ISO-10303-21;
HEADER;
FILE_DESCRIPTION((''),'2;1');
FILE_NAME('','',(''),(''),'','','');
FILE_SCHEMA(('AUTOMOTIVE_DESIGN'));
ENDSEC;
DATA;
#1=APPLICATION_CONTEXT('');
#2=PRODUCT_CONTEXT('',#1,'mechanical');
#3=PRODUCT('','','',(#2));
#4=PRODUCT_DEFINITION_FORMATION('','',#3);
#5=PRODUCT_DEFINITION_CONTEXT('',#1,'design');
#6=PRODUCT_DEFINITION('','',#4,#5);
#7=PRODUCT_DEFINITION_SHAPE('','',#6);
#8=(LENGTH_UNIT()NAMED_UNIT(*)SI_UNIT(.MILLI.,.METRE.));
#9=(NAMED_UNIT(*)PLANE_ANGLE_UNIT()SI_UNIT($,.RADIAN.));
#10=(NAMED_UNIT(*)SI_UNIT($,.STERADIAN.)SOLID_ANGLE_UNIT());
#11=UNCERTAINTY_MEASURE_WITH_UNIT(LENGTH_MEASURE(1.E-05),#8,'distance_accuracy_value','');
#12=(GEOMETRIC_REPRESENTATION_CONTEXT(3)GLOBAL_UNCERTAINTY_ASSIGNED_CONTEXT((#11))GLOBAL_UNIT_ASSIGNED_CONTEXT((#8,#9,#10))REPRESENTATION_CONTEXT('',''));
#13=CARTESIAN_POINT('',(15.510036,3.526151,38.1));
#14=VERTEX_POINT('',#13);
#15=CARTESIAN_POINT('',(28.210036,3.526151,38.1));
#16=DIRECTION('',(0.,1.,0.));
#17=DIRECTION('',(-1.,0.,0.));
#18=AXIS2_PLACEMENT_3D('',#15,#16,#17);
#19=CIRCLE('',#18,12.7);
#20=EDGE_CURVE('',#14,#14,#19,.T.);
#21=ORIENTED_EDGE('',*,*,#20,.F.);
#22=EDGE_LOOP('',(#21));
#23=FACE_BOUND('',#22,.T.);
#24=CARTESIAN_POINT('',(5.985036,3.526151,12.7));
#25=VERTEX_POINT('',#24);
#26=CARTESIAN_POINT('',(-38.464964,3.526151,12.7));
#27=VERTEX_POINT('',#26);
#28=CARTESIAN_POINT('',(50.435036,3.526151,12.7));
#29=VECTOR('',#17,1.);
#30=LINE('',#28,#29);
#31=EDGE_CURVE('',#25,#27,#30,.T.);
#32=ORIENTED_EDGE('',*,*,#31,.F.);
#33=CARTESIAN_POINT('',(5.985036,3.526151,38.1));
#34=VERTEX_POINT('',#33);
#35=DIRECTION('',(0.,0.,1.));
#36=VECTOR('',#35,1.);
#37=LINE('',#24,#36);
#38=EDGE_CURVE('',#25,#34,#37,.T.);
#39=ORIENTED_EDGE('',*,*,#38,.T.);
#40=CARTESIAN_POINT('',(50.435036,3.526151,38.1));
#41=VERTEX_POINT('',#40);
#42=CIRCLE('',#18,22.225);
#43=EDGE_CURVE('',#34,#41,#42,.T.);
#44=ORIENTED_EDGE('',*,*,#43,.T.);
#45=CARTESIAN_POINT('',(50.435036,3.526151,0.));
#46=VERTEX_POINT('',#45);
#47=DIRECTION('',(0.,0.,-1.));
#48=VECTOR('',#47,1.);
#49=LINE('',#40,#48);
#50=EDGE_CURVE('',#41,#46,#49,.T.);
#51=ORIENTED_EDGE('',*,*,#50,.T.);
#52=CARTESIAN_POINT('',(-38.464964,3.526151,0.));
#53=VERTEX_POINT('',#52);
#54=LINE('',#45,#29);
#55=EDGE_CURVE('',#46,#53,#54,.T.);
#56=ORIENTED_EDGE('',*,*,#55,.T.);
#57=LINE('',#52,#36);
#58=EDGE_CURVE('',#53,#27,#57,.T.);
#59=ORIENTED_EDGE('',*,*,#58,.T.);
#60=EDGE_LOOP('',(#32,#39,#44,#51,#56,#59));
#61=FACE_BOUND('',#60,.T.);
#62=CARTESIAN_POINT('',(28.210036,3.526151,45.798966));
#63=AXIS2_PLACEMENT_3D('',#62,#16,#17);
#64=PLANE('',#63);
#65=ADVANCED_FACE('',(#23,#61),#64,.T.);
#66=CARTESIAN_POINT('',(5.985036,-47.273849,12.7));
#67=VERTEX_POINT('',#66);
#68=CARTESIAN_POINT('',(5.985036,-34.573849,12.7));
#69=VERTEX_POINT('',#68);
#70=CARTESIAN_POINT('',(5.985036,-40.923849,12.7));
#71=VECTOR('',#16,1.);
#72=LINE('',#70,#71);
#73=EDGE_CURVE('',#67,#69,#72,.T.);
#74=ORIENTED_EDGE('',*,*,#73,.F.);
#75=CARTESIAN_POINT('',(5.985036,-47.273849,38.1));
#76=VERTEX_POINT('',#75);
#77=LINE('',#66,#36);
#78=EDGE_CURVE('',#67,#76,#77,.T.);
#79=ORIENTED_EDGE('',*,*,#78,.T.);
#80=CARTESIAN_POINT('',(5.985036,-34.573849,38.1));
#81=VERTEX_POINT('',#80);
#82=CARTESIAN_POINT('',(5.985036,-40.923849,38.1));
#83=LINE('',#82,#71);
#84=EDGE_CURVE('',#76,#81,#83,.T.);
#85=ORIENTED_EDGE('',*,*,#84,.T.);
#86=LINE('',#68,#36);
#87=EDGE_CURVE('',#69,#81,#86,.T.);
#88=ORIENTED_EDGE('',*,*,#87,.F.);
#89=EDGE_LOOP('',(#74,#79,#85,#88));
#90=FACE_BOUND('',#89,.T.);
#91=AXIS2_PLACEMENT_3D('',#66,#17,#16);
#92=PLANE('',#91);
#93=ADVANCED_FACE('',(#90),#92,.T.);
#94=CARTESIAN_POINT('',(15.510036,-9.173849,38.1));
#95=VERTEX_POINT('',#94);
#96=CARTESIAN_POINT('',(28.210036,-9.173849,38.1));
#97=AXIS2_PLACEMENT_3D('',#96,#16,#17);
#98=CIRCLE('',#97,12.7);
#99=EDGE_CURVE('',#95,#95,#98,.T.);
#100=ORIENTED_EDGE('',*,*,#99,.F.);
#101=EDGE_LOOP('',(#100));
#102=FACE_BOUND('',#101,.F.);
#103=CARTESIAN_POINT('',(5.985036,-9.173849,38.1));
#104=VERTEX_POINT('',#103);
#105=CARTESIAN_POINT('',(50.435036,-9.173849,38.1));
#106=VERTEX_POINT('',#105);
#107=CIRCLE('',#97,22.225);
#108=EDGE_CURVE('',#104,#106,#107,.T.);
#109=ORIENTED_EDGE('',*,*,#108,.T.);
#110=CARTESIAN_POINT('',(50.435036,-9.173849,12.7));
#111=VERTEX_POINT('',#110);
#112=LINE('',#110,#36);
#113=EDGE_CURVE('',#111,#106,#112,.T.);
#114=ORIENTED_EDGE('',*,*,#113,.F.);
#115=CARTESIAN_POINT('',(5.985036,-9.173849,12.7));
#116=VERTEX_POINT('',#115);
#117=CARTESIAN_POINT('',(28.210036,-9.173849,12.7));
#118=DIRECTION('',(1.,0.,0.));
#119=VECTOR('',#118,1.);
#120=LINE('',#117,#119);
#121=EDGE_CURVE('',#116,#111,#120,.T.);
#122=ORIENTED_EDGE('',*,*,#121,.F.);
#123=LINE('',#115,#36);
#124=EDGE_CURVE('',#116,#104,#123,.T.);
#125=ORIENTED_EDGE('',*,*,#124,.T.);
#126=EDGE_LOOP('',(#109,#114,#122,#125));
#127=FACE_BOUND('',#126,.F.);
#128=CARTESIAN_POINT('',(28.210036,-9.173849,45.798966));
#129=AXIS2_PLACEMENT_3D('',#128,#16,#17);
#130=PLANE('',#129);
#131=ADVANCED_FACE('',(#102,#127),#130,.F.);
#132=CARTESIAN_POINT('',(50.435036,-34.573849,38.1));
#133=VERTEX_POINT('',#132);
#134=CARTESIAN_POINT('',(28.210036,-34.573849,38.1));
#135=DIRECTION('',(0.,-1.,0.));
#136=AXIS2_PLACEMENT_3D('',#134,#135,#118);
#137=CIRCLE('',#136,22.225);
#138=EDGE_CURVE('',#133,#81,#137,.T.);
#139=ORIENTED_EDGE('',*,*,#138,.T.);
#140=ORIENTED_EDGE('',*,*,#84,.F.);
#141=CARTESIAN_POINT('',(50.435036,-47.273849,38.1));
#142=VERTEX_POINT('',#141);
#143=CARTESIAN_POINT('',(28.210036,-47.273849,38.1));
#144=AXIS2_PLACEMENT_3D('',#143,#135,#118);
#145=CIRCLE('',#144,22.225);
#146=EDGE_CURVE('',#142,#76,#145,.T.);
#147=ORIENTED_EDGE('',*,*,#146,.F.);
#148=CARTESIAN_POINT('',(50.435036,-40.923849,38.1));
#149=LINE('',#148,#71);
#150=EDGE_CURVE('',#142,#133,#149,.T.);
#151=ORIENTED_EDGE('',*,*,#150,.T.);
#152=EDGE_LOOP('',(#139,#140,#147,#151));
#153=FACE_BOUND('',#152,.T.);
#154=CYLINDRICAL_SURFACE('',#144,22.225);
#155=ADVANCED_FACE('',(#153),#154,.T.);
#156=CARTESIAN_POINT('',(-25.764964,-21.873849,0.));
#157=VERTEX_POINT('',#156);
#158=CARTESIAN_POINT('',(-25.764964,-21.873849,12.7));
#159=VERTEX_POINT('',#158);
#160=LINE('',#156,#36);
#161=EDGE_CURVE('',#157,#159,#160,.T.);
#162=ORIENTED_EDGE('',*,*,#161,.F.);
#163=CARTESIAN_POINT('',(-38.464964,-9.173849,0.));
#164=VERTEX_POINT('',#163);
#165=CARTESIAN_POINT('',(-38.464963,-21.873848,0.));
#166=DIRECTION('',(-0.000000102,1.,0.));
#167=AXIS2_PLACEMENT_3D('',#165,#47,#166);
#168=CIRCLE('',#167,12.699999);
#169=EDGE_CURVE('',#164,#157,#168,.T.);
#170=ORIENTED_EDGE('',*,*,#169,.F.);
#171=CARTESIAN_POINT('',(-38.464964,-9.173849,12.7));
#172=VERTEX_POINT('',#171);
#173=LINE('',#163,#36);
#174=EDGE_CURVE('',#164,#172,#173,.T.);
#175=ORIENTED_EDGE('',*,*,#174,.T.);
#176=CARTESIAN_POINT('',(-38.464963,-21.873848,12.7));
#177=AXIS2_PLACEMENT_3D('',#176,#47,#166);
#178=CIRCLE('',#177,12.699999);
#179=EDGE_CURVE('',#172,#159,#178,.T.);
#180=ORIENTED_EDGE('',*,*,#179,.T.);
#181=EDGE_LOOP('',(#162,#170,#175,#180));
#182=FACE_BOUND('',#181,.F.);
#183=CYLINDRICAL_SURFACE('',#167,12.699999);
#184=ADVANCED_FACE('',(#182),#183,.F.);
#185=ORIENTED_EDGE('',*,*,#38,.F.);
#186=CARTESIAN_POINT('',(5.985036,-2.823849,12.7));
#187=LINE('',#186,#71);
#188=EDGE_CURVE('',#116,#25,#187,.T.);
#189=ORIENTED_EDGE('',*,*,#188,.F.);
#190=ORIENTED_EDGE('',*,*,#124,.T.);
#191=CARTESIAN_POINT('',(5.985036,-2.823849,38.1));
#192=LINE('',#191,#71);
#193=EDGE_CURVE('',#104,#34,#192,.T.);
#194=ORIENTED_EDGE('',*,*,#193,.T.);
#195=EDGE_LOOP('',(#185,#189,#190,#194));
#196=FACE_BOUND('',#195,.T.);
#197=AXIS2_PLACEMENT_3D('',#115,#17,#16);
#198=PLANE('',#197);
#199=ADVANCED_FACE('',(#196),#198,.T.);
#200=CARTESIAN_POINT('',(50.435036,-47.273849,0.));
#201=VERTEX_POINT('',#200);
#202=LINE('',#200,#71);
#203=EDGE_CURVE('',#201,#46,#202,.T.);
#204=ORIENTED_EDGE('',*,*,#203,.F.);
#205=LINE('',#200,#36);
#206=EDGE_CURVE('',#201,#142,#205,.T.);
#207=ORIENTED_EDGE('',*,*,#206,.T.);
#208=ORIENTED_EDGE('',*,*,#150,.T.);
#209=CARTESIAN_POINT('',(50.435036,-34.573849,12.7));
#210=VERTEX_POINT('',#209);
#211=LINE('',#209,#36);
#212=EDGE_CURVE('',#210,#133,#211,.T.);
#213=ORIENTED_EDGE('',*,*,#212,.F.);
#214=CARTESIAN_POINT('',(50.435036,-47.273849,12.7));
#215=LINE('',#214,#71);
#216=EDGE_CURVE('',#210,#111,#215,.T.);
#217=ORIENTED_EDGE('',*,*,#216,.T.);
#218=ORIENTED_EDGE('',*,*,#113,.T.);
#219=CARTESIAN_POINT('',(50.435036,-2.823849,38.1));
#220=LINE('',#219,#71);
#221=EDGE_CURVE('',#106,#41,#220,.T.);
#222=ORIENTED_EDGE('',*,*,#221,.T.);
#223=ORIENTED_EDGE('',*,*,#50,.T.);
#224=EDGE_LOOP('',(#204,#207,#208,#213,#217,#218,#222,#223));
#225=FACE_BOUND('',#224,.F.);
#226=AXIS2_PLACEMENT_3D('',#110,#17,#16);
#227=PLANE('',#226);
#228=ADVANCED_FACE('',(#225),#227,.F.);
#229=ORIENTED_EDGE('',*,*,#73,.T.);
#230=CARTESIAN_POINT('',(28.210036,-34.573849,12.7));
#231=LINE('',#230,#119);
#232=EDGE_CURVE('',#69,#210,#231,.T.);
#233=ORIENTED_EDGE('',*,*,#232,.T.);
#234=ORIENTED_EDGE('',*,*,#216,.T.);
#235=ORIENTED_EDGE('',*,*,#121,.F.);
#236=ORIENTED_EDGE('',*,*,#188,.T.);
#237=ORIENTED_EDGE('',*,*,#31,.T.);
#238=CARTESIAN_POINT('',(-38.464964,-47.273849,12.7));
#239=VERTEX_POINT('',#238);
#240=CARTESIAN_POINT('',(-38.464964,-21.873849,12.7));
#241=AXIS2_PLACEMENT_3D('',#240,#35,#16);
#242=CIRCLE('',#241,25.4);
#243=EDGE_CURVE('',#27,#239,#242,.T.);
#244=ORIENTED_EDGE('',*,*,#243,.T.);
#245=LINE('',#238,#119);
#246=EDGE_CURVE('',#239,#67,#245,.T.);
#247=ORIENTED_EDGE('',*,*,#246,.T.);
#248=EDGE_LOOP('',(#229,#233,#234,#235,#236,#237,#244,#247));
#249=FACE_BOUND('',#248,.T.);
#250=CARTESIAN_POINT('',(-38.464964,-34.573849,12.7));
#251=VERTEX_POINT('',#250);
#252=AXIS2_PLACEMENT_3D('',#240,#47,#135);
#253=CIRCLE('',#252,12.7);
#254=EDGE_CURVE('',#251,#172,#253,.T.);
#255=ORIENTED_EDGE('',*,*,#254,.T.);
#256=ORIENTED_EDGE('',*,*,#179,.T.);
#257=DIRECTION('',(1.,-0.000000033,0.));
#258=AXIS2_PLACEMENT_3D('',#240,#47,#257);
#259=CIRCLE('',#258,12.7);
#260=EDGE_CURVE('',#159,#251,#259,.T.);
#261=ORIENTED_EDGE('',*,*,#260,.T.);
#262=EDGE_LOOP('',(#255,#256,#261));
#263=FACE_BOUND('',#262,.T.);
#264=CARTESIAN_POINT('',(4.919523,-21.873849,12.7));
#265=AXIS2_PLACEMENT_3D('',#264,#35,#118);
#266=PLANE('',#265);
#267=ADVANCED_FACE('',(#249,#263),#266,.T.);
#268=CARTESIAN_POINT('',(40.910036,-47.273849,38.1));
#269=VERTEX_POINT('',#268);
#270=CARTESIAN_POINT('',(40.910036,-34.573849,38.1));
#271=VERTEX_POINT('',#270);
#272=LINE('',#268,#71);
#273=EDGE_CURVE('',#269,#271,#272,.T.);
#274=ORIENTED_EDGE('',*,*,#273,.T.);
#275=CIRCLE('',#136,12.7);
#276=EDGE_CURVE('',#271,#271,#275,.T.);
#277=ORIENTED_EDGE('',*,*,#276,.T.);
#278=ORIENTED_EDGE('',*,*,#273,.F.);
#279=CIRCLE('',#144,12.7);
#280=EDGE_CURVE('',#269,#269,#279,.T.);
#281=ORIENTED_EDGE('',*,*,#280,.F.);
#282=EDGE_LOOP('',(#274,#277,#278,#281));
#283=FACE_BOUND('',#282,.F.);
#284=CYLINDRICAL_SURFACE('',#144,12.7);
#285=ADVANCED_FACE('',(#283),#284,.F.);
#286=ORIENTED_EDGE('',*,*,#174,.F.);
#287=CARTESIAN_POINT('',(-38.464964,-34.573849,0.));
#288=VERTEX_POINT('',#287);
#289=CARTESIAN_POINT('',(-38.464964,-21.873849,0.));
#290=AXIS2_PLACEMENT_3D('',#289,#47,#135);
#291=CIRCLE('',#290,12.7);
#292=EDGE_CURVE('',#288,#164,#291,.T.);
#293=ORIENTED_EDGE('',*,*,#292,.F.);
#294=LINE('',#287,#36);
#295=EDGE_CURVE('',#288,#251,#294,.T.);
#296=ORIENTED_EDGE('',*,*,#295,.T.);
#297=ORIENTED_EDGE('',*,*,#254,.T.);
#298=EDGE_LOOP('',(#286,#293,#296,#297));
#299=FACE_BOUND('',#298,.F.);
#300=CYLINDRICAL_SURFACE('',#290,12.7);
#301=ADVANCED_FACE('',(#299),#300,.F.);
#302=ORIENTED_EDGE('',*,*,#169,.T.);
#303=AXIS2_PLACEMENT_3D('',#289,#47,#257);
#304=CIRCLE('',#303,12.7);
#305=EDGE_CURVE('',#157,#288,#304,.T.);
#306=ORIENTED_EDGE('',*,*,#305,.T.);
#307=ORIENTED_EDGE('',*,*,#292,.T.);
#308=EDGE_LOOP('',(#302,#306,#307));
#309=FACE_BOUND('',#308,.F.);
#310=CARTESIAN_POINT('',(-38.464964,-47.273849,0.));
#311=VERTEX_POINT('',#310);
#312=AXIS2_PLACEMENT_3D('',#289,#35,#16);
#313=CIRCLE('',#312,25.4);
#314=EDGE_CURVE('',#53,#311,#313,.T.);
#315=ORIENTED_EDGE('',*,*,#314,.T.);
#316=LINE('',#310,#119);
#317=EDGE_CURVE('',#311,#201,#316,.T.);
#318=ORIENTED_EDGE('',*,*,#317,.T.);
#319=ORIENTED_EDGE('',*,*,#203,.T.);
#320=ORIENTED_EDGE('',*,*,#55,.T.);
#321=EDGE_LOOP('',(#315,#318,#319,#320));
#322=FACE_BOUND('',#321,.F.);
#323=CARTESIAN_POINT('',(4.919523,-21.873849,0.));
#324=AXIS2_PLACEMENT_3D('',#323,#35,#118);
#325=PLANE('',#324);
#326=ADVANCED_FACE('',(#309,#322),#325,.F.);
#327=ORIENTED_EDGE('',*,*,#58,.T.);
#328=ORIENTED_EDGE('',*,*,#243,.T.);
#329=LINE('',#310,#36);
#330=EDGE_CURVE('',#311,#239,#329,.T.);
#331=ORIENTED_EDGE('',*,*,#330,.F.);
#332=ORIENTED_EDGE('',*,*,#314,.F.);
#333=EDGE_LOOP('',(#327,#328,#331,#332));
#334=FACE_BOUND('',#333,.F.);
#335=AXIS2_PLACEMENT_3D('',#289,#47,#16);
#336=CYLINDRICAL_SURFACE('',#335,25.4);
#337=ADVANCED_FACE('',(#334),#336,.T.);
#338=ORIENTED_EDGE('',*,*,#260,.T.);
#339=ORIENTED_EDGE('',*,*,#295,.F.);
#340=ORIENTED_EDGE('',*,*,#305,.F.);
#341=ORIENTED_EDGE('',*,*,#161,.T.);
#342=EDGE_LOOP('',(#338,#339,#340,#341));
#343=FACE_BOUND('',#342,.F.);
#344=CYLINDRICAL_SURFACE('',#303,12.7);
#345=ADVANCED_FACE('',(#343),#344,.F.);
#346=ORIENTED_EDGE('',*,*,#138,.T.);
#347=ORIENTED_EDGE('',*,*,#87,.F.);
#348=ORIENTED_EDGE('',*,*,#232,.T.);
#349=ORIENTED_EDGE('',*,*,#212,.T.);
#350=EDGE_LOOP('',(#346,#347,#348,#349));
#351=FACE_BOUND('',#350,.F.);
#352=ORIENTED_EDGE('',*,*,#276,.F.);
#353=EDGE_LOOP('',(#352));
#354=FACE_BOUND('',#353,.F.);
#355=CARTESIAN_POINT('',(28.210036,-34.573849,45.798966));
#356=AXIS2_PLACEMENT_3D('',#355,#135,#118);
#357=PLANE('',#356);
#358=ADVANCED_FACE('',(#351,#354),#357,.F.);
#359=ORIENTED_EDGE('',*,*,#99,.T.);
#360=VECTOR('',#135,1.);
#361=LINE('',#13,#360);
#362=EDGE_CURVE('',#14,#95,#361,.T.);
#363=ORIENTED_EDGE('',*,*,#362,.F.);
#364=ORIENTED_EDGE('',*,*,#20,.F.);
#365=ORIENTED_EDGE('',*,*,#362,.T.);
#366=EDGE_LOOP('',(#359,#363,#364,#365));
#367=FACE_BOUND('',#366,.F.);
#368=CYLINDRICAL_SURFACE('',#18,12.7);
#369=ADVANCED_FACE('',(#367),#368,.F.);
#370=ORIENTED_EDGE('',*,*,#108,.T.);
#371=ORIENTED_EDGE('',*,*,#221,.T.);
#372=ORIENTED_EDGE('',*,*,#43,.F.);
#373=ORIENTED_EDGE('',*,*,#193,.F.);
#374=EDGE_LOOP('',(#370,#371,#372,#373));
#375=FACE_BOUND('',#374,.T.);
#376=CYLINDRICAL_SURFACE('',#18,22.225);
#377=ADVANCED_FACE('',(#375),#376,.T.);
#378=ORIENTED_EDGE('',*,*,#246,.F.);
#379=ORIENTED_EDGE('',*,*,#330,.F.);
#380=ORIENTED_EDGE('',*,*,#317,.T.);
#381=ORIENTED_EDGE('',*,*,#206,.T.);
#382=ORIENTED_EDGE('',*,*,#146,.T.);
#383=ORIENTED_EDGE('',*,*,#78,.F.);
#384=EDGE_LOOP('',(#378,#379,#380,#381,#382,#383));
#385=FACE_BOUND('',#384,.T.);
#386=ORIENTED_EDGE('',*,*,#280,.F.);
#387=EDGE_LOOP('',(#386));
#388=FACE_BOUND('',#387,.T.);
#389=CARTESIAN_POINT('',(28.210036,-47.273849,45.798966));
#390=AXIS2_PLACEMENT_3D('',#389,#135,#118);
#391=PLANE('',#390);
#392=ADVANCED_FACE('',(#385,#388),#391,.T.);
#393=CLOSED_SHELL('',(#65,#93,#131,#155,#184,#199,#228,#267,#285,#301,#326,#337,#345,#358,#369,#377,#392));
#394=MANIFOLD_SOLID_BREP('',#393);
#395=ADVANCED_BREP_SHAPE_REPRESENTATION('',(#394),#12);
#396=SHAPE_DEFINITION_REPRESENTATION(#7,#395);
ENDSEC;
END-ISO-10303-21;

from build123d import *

# Parameters (mm, degrees)
F1_DEPTH  = 12.7
F2_DEPTH  = 12.7
F3_W      = 44.45
F3_H      = 12.7
F4_DEPTH  = 25.4
F6_DEPTH  = 12.7
F7_R      = 12.7
F8_DEPTH  = 25.4
F9_DEPTH  = 25.4
F11_DEPTH = 12.7
F12_R     = 12.7
F13_DEPTH = 25.4


with BuildPart() as f1:
    # F0 (on Top) → F1 (new body)
    with BuildSketch(Plane.XY):
        with BuildLine():
            ThreePointArc((-38.464964, 3.526151), (-63.864964, -21.873849), (-38.464964, -47.273849))
            Line((-38.464964, -47.273849), (-38.464964, -34.573849))
            ThreePointArc((-38.464964, -34.573849), (-51.164964, -21.873849), (-38.464964, -9.173849))
            Line((-38.464964, -9.173849), (-38.464964, 3.526151))
        make_face()
    extrude(amount=F1_DEPTH)

    # F0 (on Top) → F2 (join)
    with BuildSketch(Plane.XY):
        with BuildLine():
            Line((-38.464964, -47.273849), (50.435036, -47.273849))
            Line((50.435036, -47.273849), (50.435036, 3.526151))
            Line((50.435036, 3.526151), (-38.464964, 3.526151))
            Line((-38.464964, 3.526151), (-38.464964, -9.173849))
            ThreePointArc((-38.464964, -9.173849), (-29.484708, -12.893592), (-25.764964, -21.873849))
            ThreePointArc((-25.764964, -21.873849), (-29.484708, -30.854105), (-38.464964, -34.573849))
            Line((-38.464964, -34.573849), (-38.464964, -47.273849))
        make_face()
    extrude(amount=F2_DEPTH)

    # F3 (on face) → F4 (join)
    with BuildSketch(Plane.XY.offset(12.7)):
        with Locations((28.210036, -40.923849)):
            Rectangle(F3_W, F3_H)
    extrude(amount=F4_DEPTH)

    # F5 (on face) → F6 (join)
    with BuildSketch(Plane.XZ.offset(47.273849)):
        with BuildLine():
            Line((5.985036, 38.1), (50.435036, 38.1))
            ThreePointArc((50.435036, 38.1), (28.210036, 60.325), (5.985036, 38.1))
        make_face()
    extrude(amount=-F6_DEPTH)

    # F7 (on face) → F8 (cut)
    with BuildSketch(Plane.XZ.offset(47.273849)):
        with Locations((28.210036, 38.1)):
            Circle(F7_R)
    extrude(amount=-F8_DEPTH, mode=Mode.SUBTRACT)

    # F3 (on face) → F9 (join)
    with BuildSketch(Plane.XY.offset(12.7)):
        with Locations((28.210036, -2.823849)):
            Rectangle(F3_W, F3_H)
    extrude(amount=F9_DEPTH)

    # F10 (on face) → F11 (join)
    with BuildSketch(Plane(origin=(0, 3.526151, 0), x_dir=(-1, 0, 0), z_dir=(0, 1, 0))):
        with BuildLine():
            Line((-50.435036, 38.1), (-5.985036, 38.1))
            ThreePointArc((-5.985036, 38.1), (-28.210036, 60.325), (-50.435036, 38.1))
        make_face()
    extrude(amount=-F11_DEPTH)

    # F12 (on face) → F13 (cut)
    with BuildSketch(Plane(origin=(0, 3.526151, 0), x_dir=(-1, 0, 0), z_dir=(0, 1, 0))):
        with Locations((-28.210036, 38.1)):
            Circle(F12_R)
    extrude(amount=-F13_DEPTH, mode=Mode.SUBTRACT)


solid = f1.part
